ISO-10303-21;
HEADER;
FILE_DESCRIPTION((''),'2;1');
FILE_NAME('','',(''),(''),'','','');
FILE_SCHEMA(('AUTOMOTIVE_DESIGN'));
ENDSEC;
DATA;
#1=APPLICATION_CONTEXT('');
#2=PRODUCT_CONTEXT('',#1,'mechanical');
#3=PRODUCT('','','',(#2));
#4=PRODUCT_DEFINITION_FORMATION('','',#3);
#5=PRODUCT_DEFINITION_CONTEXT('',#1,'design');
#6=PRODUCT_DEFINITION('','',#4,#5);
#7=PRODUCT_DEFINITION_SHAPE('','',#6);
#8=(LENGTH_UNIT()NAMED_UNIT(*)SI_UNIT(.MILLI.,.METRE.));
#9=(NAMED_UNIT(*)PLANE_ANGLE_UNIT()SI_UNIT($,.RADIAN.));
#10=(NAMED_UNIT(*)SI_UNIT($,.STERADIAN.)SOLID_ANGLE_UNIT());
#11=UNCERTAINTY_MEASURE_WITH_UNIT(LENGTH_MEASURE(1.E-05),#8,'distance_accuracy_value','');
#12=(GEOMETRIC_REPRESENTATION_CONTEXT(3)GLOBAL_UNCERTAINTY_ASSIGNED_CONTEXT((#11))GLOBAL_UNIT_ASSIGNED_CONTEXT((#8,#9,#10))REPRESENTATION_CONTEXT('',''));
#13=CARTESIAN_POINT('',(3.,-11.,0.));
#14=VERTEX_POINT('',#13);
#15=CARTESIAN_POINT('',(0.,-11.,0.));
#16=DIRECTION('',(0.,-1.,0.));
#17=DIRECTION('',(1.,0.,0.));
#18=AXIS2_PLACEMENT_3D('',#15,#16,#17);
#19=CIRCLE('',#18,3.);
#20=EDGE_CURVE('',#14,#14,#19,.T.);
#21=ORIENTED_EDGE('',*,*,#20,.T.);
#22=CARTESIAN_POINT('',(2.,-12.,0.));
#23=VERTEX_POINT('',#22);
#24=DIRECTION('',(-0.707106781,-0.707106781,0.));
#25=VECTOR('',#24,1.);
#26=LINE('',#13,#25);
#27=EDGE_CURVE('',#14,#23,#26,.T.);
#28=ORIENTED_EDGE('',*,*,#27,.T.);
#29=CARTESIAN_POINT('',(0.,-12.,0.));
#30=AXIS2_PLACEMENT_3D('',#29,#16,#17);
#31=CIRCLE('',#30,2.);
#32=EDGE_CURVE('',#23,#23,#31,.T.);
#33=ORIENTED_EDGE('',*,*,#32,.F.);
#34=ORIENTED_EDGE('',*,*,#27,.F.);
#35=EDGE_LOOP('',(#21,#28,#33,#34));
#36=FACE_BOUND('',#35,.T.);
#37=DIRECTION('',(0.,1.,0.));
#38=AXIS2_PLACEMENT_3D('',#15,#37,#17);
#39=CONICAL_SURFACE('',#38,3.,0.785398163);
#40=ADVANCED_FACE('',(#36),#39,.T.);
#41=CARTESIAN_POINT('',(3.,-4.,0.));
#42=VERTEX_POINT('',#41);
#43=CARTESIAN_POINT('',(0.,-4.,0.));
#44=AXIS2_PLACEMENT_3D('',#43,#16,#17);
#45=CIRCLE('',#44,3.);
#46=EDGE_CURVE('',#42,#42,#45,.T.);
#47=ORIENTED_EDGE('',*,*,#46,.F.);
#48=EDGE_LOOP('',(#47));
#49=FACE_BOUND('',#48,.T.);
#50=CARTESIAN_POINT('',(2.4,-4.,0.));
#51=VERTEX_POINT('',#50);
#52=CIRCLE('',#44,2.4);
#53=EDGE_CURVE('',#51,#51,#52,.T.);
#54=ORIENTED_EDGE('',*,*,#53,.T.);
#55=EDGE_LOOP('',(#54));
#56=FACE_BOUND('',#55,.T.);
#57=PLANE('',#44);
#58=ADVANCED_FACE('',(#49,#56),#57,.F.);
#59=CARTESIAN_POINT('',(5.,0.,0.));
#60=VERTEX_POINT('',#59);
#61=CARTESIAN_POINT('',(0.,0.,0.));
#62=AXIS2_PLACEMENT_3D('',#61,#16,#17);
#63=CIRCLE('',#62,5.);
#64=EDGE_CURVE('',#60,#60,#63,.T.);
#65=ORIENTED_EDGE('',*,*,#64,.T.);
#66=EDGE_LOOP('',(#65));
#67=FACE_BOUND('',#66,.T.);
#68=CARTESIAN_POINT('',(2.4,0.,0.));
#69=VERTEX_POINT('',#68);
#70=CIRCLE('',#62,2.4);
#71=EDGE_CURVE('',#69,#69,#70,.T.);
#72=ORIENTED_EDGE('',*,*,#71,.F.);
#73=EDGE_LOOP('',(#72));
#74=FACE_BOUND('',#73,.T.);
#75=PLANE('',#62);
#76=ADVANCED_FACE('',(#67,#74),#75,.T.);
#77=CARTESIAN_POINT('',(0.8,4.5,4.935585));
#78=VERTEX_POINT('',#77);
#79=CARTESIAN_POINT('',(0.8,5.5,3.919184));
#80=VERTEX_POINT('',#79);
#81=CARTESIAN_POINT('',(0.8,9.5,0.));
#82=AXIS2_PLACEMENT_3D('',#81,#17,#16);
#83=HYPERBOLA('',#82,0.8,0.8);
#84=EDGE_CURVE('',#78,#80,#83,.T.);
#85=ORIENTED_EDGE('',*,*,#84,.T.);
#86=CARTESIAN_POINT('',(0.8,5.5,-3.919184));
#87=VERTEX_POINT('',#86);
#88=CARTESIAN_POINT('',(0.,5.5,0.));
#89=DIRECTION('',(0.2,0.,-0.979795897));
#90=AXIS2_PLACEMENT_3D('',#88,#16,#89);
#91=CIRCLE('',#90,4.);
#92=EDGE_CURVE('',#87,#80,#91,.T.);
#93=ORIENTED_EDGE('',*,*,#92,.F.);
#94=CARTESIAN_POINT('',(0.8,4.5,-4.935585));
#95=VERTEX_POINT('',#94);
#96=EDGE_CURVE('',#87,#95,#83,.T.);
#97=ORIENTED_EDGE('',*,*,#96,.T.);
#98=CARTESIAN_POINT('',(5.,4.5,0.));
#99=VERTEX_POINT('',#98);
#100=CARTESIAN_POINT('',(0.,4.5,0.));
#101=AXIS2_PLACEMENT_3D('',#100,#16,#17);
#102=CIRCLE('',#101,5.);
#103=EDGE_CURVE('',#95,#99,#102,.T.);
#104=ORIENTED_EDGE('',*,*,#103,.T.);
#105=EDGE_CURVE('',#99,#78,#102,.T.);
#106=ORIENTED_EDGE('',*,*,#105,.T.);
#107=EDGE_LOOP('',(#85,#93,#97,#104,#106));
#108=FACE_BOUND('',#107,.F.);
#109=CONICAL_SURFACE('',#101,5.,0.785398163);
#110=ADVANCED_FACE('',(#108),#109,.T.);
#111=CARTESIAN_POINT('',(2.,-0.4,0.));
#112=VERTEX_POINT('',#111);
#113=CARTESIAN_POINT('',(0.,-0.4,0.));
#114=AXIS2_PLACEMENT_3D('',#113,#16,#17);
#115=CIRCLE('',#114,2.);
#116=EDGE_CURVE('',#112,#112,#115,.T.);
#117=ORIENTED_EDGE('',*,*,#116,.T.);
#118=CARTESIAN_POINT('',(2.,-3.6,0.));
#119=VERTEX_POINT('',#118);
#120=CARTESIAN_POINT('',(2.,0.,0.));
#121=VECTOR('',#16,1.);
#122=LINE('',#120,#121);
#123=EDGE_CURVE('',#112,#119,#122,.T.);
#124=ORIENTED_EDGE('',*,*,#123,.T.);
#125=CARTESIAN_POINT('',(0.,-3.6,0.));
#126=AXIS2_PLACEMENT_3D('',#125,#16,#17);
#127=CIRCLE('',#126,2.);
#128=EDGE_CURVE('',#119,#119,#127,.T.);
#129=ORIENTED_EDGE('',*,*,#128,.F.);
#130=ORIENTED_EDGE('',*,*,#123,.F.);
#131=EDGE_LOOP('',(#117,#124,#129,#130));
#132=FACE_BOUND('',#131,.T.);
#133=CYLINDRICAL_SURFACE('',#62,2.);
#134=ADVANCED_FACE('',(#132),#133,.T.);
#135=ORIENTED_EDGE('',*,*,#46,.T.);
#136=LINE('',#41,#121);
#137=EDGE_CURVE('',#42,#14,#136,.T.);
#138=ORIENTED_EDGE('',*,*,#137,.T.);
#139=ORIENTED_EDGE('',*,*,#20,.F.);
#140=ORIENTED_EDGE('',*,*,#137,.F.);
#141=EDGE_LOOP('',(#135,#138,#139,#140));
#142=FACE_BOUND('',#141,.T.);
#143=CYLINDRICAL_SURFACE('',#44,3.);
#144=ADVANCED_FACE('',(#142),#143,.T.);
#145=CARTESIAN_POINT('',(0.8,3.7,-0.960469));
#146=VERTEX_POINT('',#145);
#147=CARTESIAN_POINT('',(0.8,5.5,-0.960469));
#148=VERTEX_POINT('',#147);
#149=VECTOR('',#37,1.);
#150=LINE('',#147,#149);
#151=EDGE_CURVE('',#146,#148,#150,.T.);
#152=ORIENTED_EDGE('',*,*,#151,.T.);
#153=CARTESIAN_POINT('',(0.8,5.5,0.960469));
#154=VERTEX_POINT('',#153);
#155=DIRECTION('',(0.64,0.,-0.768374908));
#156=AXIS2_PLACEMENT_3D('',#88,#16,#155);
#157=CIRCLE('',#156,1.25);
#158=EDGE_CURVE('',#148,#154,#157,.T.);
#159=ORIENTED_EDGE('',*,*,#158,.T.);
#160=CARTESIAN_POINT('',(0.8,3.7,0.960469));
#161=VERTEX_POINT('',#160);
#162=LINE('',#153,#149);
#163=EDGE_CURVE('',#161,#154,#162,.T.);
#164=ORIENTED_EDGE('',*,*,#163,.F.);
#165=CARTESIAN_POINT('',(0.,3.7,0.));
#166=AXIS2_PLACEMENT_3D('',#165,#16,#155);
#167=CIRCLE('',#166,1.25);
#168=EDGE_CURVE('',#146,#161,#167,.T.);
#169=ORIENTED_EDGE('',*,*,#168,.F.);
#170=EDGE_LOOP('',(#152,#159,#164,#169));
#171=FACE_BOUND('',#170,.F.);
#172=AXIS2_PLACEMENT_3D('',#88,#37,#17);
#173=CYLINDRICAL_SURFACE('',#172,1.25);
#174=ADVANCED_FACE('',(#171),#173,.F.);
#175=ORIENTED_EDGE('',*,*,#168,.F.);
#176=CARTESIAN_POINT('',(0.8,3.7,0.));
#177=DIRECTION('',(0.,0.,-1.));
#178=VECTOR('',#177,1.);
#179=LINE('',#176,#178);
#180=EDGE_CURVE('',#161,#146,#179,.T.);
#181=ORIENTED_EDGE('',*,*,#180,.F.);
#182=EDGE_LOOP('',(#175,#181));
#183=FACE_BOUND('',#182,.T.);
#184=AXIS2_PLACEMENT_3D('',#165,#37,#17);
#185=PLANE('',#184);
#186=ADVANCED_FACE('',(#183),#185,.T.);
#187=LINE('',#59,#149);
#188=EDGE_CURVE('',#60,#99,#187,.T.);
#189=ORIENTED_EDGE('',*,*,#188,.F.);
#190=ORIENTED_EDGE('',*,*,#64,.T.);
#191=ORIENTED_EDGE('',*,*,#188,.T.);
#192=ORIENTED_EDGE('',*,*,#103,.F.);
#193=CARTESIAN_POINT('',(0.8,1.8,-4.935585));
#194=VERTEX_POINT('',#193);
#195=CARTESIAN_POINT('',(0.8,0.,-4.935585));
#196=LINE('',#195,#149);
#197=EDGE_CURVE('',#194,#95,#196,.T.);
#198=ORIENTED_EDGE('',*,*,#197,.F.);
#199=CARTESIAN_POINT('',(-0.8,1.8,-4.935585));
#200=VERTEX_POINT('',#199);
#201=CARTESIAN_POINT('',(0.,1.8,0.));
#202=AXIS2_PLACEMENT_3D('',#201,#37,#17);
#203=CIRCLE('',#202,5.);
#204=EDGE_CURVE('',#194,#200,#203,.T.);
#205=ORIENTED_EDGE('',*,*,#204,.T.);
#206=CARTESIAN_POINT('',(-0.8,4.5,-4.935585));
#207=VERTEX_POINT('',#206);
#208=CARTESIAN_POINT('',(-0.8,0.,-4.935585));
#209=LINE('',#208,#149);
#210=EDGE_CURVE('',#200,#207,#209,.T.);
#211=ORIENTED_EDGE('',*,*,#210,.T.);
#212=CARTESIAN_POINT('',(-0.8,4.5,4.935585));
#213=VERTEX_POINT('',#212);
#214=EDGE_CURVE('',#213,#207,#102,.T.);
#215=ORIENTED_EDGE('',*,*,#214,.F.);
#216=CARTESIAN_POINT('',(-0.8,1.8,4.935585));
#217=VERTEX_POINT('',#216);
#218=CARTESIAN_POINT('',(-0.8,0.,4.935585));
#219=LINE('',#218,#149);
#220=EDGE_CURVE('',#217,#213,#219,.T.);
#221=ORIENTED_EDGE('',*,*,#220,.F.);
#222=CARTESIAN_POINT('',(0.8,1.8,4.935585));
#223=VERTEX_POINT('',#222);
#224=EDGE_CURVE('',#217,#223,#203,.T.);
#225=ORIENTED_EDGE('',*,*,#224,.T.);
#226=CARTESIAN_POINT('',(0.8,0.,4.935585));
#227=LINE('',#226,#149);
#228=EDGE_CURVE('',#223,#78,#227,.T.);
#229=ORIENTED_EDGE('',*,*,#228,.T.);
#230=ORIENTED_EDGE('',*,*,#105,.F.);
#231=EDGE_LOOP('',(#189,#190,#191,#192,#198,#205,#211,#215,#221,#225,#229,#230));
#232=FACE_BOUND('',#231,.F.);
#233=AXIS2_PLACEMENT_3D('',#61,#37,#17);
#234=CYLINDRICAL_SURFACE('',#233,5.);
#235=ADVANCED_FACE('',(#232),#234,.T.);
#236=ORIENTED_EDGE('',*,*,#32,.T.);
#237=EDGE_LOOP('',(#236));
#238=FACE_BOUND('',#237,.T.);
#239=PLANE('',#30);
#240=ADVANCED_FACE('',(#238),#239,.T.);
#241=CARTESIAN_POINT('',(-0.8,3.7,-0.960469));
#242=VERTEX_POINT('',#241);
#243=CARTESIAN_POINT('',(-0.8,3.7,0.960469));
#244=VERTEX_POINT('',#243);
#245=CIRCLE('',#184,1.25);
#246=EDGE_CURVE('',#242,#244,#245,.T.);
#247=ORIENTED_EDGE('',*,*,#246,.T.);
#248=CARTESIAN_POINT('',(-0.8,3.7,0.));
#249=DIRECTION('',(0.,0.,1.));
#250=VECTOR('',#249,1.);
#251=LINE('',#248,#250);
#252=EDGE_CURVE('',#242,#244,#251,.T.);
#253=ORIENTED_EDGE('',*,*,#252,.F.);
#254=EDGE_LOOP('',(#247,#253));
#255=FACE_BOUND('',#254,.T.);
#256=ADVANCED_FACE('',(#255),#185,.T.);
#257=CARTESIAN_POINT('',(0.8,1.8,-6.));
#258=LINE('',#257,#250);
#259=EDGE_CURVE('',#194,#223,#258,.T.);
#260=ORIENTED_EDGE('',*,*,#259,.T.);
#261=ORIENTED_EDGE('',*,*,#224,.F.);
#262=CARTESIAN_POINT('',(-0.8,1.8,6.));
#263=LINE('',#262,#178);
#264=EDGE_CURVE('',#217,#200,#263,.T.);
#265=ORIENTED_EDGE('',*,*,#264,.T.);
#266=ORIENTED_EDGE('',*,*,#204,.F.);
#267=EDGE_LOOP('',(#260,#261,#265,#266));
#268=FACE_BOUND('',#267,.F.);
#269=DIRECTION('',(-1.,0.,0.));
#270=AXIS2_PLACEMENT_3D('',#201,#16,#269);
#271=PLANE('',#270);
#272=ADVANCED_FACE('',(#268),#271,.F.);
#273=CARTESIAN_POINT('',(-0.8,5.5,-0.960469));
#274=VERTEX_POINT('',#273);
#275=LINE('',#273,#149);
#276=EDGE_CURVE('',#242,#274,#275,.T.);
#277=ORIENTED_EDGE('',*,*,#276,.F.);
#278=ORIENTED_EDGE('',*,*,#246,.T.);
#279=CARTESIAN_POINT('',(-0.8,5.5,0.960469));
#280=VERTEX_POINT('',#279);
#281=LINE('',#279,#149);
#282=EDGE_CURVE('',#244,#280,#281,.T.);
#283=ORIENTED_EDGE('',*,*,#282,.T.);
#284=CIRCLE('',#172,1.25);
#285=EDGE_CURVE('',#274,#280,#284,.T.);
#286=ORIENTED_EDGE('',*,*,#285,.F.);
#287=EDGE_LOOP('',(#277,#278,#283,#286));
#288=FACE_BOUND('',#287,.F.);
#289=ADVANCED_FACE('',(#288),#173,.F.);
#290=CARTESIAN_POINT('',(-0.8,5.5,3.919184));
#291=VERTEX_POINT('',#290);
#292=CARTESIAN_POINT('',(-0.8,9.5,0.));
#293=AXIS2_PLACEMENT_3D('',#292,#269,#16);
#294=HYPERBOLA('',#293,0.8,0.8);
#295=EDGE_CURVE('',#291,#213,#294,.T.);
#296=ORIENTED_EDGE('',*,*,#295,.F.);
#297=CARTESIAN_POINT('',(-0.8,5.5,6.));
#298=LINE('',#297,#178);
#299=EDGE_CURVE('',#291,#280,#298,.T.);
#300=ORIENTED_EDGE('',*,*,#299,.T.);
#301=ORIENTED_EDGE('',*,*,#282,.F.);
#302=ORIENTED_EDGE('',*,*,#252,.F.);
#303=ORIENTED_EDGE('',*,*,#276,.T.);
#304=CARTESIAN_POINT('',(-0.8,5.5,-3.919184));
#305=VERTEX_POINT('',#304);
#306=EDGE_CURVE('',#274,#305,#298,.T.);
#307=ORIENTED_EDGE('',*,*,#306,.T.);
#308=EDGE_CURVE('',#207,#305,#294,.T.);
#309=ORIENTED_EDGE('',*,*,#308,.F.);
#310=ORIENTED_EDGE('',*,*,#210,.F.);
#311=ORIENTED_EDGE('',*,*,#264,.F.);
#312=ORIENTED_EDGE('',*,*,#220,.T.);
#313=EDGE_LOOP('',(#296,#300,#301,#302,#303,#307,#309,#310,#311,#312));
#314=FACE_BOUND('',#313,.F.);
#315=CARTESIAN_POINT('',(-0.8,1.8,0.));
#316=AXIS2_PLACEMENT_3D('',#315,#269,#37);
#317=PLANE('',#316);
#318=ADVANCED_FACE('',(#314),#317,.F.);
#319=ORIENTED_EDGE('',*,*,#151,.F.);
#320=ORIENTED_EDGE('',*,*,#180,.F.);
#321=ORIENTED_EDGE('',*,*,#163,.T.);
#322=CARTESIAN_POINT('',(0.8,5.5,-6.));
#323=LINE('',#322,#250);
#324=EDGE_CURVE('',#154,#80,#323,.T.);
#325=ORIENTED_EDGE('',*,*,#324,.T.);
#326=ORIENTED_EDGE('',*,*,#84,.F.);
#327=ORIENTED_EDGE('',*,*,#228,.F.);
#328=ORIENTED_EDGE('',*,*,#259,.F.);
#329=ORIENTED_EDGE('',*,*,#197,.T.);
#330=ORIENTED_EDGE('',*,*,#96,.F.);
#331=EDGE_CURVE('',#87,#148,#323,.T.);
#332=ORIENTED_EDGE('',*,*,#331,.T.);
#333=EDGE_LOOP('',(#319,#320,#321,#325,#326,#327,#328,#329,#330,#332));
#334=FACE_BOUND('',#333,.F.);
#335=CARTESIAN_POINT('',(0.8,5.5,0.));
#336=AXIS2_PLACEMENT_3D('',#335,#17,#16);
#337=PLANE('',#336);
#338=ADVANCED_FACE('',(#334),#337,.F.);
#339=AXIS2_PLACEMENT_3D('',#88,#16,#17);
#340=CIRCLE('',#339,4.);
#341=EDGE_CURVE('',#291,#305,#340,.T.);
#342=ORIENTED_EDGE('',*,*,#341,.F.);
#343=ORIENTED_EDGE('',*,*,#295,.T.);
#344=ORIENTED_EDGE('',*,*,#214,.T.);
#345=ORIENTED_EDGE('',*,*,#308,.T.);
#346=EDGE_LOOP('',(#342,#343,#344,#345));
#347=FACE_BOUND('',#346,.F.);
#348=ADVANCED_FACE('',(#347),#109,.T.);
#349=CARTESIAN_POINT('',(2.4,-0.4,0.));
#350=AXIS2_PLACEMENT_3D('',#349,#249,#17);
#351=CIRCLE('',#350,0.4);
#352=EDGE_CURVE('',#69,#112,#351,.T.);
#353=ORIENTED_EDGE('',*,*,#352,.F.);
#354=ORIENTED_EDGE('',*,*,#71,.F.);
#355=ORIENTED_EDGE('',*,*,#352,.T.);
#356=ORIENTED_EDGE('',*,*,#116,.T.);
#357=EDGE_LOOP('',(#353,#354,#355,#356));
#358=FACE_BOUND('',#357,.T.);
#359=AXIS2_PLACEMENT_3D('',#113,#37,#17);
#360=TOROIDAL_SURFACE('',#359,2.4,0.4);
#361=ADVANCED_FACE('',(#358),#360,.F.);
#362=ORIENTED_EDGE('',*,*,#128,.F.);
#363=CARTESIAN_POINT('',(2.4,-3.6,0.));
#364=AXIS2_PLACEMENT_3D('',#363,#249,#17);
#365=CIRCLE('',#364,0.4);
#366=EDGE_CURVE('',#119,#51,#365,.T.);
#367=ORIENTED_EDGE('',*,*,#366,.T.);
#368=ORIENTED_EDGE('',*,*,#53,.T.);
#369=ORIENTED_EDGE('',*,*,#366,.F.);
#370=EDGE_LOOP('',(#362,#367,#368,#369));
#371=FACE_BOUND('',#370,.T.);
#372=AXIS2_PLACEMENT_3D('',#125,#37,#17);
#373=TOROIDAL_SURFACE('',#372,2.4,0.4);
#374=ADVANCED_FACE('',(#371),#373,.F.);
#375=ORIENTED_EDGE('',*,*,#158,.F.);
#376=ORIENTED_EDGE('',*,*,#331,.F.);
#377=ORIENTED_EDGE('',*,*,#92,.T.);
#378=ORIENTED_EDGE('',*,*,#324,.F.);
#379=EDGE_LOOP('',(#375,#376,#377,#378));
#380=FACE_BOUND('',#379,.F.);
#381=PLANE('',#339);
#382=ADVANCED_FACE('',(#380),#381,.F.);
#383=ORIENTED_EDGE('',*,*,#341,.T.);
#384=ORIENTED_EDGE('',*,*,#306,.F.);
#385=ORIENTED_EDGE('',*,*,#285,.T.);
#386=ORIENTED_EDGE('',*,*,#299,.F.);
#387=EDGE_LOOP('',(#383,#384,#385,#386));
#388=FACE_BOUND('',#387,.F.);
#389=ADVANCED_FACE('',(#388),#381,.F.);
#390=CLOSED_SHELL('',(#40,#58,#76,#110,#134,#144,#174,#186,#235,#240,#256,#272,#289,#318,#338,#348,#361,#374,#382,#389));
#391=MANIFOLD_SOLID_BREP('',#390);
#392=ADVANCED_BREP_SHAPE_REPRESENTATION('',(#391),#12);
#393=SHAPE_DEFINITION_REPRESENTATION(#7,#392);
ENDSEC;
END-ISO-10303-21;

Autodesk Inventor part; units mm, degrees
ref_plane "YZ Plane" through (0, 0, 0) normal (1, 0, 0) x (0, 1, 0)
ref_plane "XZ Plane" through (0, 0, 0) normal (0, 1, 0) x (-1, 0, 0)
ref_plane "XY Plane" through (0, 0, 0) normal (0, 0, 1) x (1, 0, 0)
sketch "Sketch1" plane through (0, 0, 0) normal (0, 0, 1) x (1, 0, 0)
  line L0 (5, 0) -> (5, 5.5)
  line L1 (5, 5.5) -> (0, 5.5)
  line L2 (5, 0) -> (2, 0)
  line L3 (2, 0) -> (2, -4)
  line L4 (2, -4) -> (3, -4)
  line L5 (3, -4) -> (3, -12)
  line L6 (3, -12) -> (0, -12)
  line L7 (0, 5.5) -> (0, -12)
  point P0 (0, 0)
  dimension "d0" = 10
  dimension "d2" = 4
  dimension "d3" = 6
  dimension "d4" = 5.5
  dimension "d5" = 8
  dimension "d6" = 12
revolve "Вращение1" add sketch "Sketch1" angle 360 about axis through (0, 5.5, 0) along (0, -1, 0)
sketch "Sketch2" plane through (0, 5.5, 0) normal (0, 1, 0) x (1, 0, 0)
  circle A0 centre (0, 0) radius 5 construction
  circle A1 centre (0, 0) radius 1.25
  dimension "d31" = 2.5
extrude "Выдавливание1" cut sketch "Sketch2" against normal blind 1.8
chamfer "Фаска1" distance 1 angle 45 1 edges at (-5, 5.5, 0)
sketch "Sketch3" plane through (0, 0, 0) normal (0, 0, 1) x (1, 0, 0)
  line L0 (0, 0) -> (0, 5.5)
  line L1 (-2.3552, 0) -> (2.3552, 0) construction
  line L2 (-5, 5.5) -> (5, 5.5) construction
  line L3 (-0.8, 5.5) -> (0.8, 5.5)
  line L4 (0.8, 5.5) -> (0.8, 1.8)
  line L5 (0.8, 1.8) -> (-0.8, 1.8)
  line L6 (-0.8, 1.8) -> (-0.8, 5.5)
  dimension "d8" = 1.8
  dimension "d9" = 1.6
extrude "Выдавливание2" cut sketch "Sketch3" along normal through all both and the other way through all
fillet "Сопряжение1" radius 0.4 2 edges at (-2, 0, 0) (-2, -4, 0)
thread "Резьба1" size "M6x1" class "6g" standard "ISO Metric profile" length 8
chamfer "Фаска2" distance 1 angle 45 1 edges at (-3, -12, 0)
equation "\"d31\" = d3_"
equation "\"d32\" = h3"
equation "\"d21\" = C1"
equation "\"d8\" = h2"
equation "\"d9\" = n"
equation "\"d12\" = R"
equation "\"d13\" = b"
equation "\"d15\" = C1"
equation "\"d0\" = D"
equation "\"d2\" = d1"
equation "\"d3\" = d_"
equation "\"d4\" = k1"
equation "\"d5\" = b"
equation "\"d6\" = l_"
equation "\"D\" = 10"
equation "\"d_\" = 6"
equation "\"l_\" = 12"
equation "\"b\" = 8"
equation "\"d1\" = 4"
equation "\"R\" = 0.4"
equation "\"C1\" = 1"
equation "\"h2\" = 1.8"
equation "\"n\" = 1.6"
equation "\"h3\" = 1.8"
equation "\"k1\" = 5.5"
equation "\"d3_\" = 2.5"
equation "\"G\" = l_ - b"
properties part number "Винт 3 M6-6gx12 ГОСТ 10336-80" material "Сталь, мягкая"
